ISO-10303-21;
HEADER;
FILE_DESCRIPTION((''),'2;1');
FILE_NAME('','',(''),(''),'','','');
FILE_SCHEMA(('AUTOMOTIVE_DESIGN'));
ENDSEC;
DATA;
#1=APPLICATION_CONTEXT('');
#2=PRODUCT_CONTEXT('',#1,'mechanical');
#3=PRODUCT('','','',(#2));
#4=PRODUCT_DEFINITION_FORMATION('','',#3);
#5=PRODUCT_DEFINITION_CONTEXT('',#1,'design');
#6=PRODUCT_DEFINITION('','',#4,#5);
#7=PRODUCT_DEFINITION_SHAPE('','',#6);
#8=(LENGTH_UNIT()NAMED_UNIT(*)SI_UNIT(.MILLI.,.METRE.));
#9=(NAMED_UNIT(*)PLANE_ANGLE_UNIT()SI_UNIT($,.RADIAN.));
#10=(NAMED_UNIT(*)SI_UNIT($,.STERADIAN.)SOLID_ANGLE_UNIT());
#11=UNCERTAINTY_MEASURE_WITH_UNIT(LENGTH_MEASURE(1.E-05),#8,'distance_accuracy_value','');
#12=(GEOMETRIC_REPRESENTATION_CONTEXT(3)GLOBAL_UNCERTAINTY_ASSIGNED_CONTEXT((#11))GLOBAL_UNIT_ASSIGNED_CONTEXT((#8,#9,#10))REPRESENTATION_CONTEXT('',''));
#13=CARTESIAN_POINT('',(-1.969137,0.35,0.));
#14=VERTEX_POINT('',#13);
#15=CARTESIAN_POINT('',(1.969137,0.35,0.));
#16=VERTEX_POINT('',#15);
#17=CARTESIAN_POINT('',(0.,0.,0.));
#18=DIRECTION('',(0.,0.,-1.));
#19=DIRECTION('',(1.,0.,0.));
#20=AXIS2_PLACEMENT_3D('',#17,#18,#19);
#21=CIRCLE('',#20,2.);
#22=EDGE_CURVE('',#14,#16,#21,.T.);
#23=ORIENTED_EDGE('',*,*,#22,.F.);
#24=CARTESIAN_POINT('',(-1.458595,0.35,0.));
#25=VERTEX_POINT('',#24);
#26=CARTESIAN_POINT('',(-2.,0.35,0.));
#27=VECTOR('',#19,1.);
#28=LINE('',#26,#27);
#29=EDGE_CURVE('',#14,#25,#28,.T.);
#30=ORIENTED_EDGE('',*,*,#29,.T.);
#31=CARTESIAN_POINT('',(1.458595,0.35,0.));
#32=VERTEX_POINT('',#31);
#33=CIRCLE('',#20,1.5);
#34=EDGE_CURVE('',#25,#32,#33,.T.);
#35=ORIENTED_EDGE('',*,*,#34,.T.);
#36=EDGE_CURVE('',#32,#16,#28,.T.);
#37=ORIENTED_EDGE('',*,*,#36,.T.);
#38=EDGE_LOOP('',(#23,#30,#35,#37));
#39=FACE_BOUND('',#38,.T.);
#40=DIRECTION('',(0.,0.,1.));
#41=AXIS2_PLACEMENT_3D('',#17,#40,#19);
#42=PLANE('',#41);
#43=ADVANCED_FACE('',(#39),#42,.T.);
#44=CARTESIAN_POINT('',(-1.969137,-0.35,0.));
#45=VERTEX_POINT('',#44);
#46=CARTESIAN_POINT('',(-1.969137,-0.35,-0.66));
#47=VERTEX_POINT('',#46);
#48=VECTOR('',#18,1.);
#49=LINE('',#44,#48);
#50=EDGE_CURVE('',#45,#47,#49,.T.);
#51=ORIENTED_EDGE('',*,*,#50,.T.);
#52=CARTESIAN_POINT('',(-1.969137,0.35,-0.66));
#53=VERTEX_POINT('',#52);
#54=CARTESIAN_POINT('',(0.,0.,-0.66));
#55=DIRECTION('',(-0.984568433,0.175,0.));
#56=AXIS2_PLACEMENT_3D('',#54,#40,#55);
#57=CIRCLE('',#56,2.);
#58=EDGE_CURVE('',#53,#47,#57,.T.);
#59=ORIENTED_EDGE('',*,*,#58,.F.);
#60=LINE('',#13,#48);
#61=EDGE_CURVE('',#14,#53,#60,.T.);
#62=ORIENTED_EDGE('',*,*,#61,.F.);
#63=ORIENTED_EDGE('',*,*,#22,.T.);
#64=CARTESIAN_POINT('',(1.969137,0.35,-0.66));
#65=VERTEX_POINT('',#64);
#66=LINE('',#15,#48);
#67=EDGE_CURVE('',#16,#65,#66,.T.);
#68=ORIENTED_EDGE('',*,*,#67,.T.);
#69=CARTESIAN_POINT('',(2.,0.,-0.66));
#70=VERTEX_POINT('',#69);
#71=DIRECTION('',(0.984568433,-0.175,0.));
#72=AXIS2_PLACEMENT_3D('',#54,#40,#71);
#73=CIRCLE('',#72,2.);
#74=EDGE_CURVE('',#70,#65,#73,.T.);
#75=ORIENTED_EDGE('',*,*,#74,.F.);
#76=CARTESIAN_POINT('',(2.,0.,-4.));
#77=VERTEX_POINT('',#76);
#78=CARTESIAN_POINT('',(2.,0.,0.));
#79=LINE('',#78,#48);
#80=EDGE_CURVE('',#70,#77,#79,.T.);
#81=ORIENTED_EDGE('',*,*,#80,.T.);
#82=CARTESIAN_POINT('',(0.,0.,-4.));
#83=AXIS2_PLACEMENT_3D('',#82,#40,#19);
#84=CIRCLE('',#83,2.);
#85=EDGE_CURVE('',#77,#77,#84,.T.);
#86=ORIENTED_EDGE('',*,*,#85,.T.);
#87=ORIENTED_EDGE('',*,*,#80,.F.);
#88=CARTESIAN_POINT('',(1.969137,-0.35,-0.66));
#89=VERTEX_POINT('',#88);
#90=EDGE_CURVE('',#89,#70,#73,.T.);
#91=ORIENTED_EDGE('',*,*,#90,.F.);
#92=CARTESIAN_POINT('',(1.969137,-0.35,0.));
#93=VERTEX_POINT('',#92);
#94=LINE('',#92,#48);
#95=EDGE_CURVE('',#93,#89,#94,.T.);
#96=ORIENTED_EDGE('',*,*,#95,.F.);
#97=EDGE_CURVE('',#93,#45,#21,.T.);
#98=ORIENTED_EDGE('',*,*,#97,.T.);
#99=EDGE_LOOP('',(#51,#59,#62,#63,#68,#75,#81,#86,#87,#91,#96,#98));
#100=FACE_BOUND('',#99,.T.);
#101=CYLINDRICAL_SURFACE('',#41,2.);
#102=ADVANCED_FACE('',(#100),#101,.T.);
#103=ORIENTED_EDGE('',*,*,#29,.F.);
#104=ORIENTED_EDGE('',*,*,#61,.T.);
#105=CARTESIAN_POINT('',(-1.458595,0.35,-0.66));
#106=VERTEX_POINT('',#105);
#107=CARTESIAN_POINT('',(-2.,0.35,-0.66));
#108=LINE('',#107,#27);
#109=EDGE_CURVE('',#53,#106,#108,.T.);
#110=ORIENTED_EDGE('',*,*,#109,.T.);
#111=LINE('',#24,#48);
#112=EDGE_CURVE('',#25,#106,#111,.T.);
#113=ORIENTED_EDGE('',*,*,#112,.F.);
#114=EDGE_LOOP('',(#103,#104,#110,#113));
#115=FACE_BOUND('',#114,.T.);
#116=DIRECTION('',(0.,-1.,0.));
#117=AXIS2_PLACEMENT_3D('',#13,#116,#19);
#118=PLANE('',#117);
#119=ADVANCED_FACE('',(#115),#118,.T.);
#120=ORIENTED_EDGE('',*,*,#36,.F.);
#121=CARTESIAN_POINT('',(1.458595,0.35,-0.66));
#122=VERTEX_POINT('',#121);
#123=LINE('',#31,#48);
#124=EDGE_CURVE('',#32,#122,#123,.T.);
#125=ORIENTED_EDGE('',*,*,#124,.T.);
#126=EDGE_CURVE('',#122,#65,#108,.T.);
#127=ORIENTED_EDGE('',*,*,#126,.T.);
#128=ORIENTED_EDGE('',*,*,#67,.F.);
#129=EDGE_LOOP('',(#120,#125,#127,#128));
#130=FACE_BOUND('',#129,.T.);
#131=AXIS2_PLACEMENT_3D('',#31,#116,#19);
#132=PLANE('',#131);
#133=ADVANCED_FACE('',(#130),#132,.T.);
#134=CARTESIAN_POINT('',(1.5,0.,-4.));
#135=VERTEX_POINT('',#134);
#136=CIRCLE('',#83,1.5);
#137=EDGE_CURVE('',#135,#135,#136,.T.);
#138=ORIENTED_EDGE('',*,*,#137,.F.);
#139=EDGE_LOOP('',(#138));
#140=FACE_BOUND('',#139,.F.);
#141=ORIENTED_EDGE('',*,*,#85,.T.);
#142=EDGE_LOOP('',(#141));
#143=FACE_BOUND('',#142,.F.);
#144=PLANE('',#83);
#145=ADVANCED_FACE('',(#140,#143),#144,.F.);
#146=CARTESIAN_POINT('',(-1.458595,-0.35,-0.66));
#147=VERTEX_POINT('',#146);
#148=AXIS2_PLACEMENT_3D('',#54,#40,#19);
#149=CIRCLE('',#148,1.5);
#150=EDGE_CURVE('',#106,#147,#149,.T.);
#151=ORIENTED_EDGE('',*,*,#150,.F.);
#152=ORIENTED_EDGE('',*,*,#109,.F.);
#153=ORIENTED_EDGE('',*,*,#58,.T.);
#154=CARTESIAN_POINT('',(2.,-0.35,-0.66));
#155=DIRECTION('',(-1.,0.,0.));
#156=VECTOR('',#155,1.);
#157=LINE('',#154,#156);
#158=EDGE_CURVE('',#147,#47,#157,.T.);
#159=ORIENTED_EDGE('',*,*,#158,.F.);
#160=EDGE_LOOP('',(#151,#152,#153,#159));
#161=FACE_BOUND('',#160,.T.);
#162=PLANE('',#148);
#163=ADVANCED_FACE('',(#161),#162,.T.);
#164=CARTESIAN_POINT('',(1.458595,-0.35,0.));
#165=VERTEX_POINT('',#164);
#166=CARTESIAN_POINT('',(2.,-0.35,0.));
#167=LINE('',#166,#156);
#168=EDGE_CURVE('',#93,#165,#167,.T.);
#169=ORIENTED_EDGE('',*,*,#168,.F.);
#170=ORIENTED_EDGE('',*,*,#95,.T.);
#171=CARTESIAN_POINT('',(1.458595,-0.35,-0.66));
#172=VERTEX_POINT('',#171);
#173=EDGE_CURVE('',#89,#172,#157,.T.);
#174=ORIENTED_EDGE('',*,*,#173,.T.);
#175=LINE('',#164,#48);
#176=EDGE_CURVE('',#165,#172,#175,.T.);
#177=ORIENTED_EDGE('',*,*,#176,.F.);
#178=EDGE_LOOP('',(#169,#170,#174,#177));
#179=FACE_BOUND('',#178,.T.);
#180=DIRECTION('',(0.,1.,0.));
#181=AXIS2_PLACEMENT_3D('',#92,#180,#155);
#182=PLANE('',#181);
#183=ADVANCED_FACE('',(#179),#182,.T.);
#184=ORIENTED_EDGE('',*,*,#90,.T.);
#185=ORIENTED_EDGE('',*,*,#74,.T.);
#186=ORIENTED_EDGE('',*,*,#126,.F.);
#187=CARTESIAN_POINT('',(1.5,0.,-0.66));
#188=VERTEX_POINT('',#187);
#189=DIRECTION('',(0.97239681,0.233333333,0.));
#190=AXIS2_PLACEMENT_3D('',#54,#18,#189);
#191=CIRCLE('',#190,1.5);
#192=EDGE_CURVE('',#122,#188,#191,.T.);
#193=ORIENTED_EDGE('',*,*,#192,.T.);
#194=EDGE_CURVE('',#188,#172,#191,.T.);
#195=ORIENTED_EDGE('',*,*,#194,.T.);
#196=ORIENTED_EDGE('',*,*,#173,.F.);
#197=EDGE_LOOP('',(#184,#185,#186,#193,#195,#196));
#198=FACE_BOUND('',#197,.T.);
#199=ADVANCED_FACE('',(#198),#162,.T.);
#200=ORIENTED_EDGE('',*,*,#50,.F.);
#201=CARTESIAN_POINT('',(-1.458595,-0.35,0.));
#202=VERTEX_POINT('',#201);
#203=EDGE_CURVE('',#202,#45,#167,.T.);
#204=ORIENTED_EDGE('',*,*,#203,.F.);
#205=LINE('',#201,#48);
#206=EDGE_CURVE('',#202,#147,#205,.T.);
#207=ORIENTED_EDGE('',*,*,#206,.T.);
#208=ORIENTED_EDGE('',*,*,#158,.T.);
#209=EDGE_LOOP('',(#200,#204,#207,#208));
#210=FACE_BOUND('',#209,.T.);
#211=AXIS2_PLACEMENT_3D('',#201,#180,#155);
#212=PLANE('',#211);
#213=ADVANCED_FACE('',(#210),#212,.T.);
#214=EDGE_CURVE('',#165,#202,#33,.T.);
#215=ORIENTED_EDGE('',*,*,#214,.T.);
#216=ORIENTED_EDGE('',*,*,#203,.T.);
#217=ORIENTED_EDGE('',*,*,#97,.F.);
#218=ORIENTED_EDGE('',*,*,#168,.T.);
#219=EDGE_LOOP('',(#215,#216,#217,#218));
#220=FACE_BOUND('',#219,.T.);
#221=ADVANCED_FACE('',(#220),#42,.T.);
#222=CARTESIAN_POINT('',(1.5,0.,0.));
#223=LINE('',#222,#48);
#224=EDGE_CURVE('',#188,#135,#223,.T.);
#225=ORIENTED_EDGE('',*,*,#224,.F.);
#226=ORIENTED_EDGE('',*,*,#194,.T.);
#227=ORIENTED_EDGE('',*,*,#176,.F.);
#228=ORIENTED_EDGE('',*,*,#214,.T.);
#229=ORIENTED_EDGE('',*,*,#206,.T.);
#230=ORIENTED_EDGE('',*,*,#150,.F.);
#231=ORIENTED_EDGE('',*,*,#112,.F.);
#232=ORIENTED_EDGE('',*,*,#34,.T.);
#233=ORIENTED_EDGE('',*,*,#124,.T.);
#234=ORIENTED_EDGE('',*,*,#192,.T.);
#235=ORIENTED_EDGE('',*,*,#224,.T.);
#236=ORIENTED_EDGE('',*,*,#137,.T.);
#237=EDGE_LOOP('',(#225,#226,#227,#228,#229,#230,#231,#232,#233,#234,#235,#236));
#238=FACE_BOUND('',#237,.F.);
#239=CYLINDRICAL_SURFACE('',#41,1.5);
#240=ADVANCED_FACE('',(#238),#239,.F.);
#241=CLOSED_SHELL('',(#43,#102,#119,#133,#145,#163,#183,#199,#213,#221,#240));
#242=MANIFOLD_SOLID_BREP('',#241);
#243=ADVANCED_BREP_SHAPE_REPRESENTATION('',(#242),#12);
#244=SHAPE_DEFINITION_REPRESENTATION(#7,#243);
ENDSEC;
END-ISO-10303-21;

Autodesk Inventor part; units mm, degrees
ref_plane "YZ Plane" through (0, 0, 0) normal (1, 0, 0) x (0, 1, 0)
ref_plane "XZ Plane" through (0, 0, 0) normal (0, 1, 0) x (-1, 0, 0)
ref_plane "XY Plane" through (0, 0, 0) normal (0, 0, 1) x (1, 0, 0)
sketch "スケッチ1" plane through (0, 0, 0) normal (0, 0, 1) x (1, 0, 0)
  circle A0 centre (0, 0) radius 2
  circle A1 centre (0, 0) radius 1.5
  line L0 (-2, 0.35) -> (2, 0.35)
  line L1 (2, 0.35) -> (2, -0.35)
  line L2 (2, -0.35) -> (-2, -0.35)
  line L3 (-2, -0.35) -> (-2, 0.35)
  line L4 (-2, 0.35) -> (2, -0.35) construction
  line L5 (2, 0.35) -> (-2, -0.35) construction
  point P0 (1.4586, -0.35)
  point P1 (1.9691, -0.35)
  point P2 (1.9691, 0.35)
  point P3 (1.4586, 0.35)
  point P4 (-1.9691, -0.35)
  point P5 (-1.4586, -0.35)
  point P6 (-1.4586, 0.35)
  point P7 (-1.9691, 0.35)
  dimension "d0" = 4
  dimension "d1" = 3
  dimension "d8" = 0.7
extrude "押し出し1" add sketch "スケッチ1" against normal blind 4 contours A0 L2 A1 L0 | L0 A1 A0 | A0 L2 A1 | L0 A1 L2 A0
thread "ねじ1"
thread "ねじ2"
extrude "押し出し2" cut sketch "スケッチ1" against normal blind 0.66 contours A0 L2 A1 L0 | L0 A1 L2 A0
properties part number "IRU-304SW" material "ステンレス鋼 AISI 304"
